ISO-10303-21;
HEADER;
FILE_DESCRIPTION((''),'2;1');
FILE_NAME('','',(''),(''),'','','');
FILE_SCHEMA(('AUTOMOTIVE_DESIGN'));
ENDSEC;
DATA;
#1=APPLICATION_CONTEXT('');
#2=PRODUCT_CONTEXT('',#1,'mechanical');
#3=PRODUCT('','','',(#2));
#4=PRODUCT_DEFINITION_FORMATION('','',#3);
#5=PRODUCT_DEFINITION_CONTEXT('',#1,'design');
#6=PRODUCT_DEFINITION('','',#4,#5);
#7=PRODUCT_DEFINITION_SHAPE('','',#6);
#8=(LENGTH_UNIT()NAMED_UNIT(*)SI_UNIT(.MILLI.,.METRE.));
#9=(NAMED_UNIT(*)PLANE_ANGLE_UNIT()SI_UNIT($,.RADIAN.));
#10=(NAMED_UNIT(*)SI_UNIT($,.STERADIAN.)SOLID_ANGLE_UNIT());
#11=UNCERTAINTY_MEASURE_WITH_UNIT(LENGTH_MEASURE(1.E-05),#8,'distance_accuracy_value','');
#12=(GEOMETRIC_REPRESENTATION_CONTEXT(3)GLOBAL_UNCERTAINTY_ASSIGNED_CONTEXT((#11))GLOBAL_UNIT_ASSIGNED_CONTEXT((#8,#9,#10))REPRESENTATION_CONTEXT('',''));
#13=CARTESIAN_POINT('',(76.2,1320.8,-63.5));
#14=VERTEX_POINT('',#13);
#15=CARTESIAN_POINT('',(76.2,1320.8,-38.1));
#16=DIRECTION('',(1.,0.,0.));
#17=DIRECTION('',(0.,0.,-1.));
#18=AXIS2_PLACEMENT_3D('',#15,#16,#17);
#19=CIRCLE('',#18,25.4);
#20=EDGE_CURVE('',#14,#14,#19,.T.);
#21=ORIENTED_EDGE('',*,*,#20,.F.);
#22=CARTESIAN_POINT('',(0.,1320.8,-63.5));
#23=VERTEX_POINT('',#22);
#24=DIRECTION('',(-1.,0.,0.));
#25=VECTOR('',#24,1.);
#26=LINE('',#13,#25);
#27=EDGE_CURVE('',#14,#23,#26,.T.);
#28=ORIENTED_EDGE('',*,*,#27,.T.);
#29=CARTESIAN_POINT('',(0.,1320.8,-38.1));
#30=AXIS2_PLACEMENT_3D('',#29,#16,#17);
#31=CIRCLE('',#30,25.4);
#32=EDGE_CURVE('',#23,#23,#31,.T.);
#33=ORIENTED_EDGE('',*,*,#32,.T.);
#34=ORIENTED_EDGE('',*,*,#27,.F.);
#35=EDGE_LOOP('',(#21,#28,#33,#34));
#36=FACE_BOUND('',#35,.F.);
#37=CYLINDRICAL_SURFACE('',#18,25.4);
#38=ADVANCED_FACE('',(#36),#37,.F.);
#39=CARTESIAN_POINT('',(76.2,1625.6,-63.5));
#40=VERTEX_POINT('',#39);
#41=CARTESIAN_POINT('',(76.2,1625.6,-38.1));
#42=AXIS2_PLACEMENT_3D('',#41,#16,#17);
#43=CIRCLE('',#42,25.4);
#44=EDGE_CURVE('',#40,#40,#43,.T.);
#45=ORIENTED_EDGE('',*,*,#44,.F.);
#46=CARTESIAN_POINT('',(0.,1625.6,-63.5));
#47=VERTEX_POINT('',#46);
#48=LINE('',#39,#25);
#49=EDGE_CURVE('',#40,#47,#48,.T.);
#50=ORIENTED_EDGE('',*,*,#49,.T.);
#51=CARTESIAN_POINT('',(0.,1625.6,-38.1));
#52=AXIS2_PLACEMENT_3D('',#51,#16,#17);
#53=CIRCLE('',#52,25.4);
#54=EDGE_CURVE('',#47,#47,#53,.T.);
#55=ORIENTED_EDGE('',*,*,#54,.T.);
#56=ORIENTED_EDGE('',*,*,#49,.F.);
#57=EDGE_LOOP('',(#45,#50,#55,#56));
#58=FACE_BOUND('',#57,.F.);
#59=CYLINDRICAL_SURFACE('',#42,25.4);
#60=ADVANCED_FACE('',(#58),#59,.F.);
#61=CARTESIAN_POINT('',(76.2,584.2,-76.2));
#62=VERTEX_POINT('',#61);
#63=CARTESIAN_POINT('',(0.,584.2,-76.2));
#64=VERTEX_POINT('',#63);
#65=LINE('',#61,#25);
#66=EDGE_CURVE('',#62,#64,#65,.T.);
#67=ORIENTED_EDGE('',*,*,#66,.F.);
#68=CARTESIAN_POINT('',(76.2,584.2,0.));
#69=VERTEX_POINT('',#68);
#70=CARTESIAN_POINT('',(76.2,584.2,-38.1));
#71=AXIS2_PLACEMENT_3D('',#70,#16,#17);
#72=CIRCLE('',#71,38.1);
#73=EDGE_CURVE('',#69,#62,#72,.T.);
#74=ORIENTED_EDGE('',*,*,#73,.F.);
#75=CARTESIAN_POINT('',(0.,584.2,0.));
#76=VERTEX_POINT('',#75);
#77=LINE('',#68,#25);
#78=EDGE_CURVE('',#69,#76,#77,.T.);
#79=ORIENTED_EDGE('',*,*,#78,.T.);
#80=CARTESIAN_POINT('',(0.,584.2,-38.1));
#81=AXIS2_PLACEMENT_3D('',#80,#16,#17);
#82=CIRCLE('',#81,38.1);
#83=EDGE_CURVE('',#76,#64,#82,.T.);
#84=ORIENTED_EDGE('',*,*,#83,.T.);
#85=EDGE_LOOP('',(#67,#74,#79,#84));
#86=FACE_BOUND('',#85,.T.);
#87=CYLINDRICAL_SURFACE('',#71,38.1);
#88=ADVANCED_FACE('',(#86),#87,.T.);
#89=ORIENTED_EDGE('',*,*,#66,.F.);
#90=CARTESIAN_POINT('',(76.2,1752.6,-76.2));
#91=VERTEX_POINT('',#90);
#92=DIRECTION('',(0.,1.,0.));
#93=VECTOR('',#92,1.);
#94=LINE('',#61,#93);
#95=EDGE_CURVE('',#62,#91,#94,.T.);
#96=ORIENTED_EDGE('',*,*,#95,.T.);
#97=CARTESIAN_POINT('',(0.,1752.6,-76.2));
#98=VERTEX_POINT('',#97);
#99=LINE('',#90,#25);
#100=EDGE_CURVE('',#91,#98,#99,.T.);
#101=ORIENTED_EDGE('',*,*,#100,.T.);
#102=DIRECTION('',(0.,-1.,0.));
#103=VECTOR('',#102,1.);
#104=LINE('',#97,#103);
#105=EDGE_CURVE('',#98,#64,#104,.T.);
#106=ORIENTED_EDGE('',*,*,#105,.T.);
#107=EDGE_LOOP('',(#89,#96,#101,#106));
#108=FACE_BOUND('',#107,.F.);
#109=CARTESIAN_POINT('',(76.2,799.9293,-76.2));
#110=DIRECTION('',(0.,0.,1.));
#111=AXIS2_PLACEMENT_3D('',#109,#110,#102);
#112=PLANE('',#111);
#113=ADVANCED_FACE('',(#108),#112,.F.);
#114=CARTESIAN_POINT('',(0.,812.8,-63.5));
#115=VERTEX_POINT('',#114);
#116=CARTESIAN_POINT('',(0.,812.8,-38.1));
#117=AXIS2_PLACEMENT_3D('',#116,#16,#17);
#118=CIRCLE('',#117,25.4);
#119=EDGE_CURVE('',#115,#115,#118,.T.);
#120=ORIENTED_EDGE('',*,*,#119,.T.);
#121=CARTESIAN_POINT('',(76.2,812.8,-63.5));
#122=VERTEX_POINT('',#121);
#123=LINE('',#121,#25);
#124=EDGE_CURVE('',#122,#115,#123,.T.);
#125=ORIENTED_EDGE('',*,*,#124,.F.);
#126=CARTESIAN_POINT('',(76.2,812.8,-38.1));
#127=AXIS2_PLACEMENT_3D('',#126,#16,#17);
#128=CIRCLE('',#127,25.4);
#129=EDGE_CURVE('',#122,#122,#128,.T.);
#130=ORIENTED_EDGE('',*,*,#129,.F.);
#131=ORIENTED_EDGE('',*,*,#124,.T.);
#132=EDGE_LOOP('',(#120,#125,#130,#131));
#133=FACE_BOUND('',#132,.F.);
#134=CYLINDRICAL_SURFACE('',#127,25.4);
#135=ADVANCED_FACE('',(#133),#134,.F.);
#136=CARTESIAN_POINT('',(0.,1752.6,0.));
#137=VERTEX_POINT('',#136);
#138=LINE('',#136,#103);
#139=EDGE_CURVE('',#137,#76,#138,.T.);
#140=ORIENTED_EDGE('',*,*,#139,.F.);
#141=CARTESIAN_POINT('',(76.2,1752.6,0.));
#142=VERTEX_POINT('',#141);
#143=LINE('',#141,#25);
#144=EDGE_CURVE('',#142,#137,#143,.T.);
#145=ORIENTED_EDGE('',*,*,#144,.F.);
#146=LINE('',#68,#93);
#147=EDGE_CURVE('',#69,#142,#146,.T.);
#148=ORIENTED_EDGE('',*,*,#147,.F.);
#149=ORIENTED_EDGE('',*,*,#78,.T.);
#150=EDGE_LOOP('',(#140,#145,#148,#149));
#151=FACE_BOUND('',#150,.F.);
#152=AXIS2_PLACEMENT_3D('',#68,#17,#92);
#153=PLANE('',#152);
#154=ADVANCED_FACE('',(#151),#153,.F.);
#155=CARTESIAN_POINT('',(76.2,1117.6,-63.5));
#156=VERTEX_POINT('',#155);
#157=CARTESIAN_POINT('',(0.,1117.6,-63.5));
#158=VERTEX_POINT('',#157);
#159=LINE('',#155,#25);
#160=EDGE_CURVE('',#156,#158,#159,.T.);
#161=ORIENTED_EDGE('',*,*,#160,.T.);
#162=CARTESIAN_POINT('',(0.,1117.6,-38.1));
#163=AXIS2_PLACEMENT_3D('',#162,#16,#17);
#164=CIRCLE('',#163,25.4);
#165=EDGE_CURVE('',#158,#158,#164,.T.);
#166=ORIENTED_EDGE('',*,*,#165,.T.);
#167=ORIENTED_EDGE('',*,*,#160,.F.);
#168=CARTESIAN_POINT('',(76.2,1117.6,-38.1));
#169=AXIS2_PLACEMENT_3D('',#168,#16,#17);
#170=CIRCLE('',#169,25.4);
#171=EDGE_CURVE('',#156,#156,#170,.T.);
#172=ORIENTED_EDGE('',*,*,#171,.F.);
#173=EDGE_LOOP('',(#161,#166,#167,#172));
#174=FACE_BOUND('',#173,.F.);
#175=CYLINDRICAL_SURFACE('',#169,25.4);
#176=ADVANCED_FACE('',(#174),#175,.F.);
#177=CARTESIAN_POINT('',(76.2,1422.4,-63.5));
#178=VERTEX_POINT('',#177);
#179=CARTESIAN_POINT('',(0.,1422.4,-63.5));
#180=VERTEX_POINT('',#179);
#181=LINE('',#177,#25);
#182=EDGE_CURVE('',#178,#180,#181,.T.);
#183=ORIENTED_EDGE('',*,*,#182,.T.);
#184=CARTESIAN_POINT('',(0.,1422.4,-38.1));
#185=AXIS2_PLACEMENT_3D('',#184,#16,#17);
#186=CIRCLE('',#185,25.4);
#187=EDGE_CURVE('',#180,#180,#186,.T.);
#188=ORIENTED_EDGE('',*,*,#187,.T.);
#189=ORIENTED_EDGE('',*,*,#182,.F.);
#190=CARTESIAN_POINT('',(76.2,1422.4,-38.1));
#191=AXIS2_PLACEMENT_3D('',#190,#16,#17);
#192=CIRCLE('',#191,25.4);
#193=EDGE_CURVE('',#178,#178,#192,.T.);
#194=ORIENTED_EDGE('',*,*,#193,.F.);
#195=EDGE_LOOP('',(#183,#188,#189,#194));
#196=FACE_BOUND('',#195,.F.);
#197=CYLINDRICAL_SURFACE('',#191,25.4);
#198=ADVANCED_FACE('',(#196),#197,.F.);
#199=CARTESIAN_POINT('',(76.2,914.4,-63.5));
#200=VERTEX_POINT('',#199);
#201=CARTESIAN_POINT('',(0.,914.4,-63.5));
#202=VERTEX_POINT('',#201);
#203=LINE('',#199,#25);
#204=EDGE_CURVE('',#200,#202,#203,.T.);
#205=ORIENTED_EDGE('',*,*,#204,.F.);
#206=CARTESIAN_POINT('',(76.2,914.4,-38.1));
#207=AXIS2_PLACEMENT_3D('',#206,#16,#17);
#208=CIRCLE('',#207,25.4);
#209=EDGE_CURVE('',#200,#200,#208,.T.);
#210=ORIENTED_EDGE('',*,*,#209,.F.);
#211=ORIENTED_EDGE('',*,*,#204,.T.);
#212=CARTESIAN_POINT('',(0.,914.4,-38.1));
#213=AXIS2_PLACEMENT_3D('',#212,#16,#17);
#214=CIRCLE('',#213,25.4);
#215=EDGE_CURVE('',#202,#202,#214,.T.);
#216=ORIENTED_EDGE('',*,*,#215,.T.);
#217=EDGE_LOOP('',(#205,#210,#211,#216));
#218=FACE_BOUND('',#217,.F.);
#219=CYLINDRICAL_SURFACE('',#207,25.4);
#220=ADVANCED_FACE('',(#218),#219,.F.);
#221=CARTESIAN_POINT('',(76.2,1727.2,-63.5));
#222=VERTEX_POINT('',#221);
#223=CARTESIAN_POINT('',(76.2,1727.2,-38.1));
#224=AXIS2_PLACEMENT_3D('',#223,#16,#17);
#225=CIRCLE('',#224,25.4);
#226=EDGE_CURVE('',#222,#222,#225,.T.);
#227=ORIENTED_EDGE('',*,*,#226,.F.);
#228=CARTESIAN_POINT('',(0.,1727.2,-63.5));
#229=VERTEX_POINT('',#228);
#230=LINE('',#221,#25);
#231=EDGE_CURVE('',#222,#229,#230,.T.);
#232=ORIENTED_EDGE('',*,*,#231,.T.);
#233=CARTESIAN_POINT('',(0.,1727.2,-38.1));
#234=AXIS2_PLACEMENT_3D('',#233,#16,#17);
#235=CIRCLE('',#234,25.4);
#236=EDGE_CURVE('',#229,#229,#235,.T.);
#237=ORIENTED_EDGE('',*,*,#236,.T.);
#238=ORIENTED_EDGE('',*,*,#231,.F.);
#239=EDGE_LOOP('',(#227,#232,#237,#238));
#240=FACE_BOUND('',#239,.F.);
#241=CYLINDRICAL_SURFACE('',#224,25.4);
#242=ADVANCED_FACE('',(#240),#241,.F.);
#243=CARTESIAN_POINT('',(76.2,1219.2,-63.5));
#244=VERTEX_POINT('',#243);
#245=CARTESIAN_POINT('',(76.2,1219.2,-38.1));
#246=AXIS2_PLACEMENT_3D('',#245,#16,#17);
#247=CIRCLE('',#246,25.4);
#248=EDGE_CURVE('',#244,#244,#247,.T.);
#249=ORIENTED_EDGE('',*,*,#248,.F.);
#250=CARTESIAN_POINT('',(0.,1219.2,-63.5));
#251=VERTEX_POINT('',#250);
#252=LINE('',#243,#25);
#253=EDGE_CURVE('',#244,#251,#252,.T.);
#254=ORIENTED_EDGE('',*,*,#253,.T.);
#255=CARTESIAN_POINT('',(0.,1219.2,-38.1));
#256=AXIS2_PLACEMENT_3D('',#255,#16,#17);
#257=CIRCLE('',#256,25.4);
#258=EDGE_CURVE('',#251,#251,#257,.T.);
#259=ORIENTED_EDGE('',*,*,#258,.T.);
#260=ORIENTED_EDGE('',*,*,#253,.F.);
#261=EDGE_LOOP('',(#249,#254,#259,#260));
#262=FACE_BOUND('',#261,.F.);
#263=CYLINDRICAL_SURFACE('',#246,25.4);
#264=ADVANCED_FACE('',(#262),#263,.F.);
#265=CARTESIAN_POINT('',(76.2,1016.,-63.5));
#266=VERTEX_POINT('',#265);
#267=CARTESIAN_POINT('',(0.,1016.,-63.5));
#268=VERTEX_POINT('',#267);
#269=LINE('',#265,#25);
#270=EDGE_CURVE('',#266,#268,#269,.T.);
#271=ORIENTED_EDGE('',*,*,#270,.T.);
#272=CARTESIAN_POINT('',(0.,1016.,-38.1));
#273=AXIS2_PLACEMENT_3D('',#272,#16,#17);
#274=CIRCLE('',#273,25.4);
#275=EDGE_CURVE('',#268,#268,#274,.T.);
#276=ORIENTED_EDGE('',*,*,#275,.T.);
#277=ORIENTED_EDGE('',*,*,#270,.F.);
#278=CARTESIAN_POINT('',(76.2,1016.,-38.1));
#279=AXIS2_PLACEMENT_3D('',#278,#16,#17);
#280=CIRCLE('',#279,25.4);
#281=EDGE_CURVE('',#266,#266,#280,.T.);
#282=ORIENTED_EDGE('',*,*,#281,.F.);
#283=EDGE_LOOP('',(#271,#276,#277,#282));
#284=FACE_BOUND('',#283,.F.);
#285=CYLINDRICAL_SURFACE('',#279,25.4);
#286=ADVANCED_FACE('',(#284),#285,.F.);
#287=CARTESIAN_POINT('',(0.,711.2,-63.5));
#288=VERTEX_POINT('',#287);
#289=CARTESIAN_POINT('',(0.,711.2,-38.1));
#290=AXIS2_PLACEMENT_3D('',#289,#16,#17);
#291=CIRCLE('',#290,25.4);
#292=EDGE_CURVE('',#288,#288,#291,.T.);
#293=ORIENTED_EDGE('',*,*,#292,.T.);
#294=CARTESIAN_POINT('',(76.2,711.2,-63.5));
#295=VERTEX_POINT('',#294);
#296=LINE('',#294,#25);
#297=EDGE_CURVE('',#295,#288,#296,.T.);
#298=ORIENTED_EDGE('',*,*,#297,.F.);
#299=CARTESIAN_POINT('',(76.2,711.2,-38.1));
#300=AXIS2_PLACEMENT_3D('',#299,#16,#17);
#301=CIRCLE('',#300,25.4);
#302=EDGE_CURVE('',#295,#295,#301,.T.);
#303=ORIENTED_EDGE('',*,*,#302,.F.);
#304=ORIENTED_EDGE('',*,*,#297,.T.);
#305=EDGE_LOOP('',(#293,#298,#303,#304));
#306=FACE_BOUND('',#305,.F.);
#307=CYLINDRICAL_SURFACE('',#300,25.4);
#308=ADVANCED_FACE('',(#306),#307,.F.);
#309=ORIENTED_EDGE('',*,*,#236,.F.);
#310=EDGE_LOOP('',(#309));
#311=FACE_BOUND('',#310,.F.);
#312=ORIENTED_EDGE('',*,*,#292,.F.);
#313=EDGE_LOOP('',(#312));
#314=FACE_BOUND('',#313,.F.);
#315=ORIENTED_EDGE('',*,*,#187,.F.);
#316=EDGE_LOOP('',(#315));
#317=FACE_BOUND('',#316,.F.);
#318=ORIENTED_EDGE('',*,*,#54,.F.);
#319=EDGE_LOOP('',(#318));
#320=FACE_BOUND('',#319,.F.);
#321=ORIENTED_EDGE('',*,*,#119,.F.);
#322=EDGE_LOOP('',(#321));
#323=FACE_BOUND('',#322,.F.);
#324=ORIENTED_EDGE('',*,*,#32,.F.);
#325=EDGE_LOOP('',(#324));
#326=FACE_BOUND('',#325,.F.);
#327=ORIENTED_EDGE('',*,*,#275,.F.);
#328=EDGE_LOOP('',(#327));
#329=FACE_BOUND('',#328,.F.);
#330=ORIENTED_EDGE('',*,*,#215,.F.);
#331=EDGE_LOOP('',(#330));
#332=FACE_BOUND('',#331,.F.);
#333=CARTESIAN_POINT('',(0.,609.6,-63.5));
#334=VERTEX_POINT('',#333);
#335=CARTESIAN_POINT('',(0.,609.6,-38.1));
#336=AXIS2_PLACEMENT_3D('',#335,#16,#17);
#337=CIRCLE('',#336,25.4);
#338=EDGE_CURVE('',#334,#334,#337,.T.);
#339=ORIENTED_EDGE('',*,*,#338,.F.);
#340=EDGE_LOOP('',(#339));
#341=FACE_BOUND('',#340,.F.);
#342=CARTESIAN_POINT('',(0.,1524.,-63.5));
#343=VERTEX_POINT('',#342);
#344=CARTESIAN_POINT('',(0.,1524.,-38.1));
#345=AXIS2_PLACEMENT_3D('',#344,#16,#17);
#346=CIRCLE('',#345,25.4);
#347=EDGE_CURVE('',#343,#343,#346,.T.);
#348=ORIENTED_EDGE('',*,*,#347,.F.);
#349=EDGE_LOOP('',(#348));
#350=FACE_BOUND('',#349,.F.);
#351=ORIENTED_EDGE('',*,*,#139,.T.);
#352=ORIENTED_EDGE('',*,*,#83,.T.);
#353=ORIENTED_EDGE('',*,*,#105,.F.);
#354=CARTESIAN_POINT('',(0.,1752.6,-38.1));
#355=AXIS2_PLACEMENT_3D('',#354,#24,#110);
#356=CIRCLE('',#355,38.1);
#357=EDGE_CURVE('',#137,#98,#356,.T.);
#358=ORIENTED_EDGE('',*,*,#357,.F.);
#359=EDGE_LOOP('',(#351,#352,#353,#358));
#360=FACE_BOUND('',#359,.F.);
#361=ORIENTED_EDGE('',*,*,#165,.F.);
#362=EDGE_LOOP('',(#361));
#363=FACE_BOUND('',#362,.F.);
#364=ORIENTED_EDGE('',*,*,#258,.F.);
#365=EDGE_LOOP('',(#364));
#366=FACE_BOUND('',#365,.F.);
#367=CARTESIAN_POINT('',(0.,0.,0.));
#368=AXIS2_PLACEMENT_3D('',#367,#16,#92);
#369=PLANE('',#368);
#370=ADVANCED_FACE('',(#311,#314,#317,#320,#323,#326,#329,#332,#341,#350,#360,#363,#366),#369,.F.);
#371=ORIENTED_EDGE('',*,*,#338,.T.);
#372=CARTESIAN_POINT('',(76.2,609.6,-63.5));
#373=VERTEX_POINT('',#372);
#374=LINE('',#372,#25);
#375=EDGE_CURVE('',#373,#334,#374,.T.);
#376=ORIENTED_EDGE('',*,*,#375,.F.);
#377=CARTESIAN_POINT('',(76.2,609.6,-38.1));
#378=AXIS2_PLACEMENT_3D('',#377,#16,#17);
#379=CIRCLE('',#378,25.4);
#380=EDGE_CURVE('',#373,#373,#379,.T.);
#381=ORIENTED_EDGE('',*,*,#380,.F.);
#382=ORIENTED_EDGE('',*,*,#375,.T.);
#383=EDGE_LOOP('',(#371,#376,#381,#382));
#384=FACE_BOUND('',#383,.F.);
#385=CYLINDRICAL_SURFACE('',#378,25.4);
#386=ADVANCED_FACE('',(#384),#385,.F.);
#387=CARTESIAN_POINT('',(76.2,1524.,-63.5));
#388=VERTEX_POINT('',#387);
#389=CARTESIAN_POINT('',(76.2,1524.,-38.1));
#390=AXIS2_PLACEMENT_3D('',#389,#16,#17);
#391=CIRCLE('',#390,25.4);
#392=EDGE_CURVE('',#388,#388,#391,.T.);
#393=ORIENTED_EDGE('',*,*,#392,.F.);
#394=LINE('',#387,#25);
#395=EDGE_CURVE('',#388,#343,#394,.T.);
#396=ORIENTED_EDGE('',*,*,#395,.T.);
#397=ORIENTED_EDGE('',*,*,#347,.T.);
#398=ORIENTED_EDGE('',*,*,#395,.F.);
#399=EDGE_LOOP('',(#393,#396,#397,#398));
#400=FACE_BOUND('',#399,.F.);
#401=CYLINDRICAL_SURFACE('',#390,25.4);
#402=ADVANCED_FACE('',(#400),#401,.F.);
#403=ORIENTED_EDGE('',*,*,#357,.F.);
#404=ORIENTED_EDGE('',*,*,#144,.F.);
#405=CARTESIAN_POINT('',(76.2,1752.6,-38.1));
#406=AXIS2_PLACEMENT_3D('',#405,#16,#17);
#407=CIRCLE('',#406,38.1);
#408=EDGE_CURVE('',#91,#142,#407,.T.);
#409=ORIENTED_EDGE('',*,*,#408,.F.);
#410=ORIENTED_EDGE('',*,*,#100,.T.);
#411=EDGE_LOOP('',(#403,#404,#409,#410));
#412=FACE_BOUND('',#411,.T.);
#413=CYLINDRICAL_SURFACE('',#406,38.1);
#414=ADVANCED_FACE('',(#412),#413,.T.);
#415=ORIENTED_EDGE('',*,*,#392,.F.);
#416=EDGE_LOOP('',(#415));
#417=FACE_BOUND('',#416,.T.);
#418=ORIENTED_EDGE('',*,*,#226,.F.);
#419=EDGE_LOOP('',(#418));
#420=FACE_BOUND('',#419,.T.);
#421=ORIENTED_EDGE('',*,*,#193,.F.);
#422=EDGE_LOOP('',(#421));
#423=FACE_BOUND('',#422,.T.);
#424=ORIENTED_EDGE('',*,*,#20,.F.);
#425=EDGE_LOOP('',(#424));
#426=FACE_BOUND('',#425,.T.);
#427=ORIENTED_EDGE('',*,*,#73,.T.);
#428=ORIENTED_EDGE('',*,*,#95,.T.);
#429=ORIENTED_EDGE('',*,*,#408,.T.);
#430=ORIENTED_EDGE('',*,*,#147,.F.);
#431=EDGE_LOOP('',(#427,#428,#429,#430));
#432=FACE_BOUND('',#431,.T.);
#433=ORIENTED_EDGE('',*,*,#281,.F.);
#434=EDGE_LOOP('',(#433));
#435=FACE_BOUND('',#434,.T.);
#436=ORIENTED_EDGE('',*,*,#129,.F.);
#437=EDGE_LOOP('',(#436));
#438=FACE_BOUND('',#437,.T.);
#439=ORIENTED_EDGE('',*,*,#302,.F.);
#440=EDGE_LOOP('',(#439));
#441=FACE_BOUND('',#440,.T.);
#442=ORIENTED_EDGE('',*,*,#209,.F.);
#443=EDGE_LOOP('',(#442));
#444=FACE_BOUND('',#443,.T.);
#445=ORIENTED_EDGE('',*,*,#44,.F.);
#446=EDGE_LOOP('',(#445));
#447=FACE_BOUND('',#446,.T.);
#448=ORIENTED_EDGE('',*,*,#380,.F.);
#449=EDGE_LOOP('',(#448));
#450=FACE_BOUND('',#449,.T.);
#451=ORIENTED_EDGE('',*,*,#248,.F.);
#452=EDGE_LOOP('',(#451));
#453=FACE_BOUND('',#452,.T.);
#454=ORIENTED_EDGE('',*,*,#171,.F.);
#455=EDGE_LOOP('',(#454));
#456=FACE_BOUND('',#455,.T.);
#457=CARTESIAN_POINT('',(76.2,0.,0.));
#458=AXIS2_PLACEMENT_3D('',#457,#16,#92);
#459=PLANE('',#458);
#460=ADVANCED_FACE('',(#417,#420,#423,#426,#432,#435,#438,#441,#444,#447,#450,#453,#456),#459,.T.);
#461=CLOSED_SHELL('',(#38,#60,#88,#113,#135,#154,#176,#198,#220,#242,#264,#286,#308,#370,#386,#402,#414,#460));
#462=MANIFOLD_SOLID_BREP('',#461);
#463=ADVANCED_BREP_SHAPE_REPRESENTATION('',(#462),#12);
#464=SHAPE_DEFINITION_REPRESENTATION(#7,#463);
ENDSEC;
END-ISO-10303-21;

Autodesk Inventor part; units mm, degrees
ref_plane "YZ Plane" through (0, 0, 0) normal (1, 0, 0) x (0, 1, 0)
ref_plane "XZ Plane" through (0, 0, 0) normal (0, 1, 0) x (-1, 0, 0)
ref_plane "XY Plane" through (0, 0, 0) normal (0, 0, 1) x (1, 0, 0)
sketch "Sketch1" plane through (0, 0, 0) normal (1, 0, 0) x (0, 1, 0)
  line L0 (0, 0) -> (1828.8, 0)
  line L1 (1828.8, 0) -> (1828.8, -76.2)
  line L2 (1828.8, -76.2) -> (0, -76.2)
  line L3 (0, -76.2) -> (0, 0)
  dimension "d0" = 1828.8
  dimension "d1" = 76.2
extrude "Extrusion1" add sketch "Sketch1" along normal blind 76.2
sketch "Sketch2" plane through (76.2, 0, 0) normal (1, 0, 0) x (0, 0, -1)
  circle A0 centre (38.1, 101.6) radius 25.4
  circle A1 centre (38.1, 203.2) radius 25.4
  circle A2 centre (38.1, 304.8) radius 25.4
  circle A3 centre (38.1, 406.4) radius 25.4
  circle A4 centre (38.1, 508) radius 25.4
  circle A5 centre (38.1, 609.6) radius 25.4
  circle A6 centre (38.1, 711.2) radius 25.4
  circle A7 centre (38.1, 812.8) radius 25.4
  circle A8 centre (38.1, 914.4) radius 25.4
  circle A9 centre (38.1, 1016) radius 25.4
  circle A10 centre (38.1, 1117.6) radius 25.4
  circle A11 centre (38.1, 1219.2) radius 25.4
  circle A12 centre (38.1, 1320.8) radius 25.4
  circle A13 centre (38.1, 1422.4) radius 25.4
  circle A14 centre (38.1, 1524) radius 25.4
  circle A15 centre (38.1, 1625.6) radius 25.4
  circle A16 centre (38.1, 1727.2) radius 25.4
  point P0 (0, 0)
  dimension "d4" = 50.8
  dimension "d5" = 50.8
  dimension "d6" = 50.8
  dimension "d7" = 50.8
  dimension "d8" = 50.8
  dimension "d9" = 50.8
  dimension "d10" = 50.8
  dimension "d11" = 50.8
  dimension "d12" = 50.8
  dimension "d13" = 50.8
  dimension "d14" = 50.8
  dimension "d15" = 50.8
  dimension "d16" = 50.8
  dimension "d17" = 50.8
  dimension "d18" = 50.8
  dimension "d19" = 50.8
  dimension "d20" = 50.8
extrude "Extrusion2" cut sketch "Sketch2" against normal blind 127
sketch "Sketch3" plane through (76.2, 0, 0) normal (1, 0, 0) x (0, 0, -1)
  circle A0 centre (38.1, 38.1) radius 38.1
  circle A1 centre (38.1, 1790.7) radius 38.1
  line L0 (76.2, 1828.8) -> (0, 1828.8) projected
  line L1 (0, 0) -> (0, 1828.8) projected
  line L2 (0, 38.1) -> (0, 1790.7)
  line L3 (76.2, 1828.8) -> (76.2, 0) projected
  line L4 (76.2, 1790.7) -> (76.2, 38.1)
  line L5 (0, 38.1) -> (0, 0)
  line L6 (0, 0) -> (76.2, 0)
  line L7 (76.2, 0) -> (76.2, 38.1)
  circle A2 centre (38.1, 1727.2) radius 25.4 projected
  circle A3 centre (38.1, 1752.6) radius 38.1
  line L8 (0, 1752.6) -> (0, 1738.3207)
  line L9 (76.2, 1752.6) -> (76.2, 1722.009)
  circle A4 centre (38.1, 609.6) radius 25.4 projected
  circle A5 centre (38.1, 584.2) radius 38.1
  line L10 (0, 584.2) -> (0, 799.9293)
  line L11 (76.2, 799.9293) -> (76.2, 584.2)
extrude "Extrusion3" cut sketch "Sketch3" against normal blind 76.2 contours A5 A4 L1 A3 A2 L3 | A5 A4 | A5 A4 | A4 A5 | A3 A2 A1 | A3 A1 A2 | A1 A3 | A3 A2 | A2 A3 keep common part picked at (40.7405, 1765.5775)
properties part number "pole_2"
